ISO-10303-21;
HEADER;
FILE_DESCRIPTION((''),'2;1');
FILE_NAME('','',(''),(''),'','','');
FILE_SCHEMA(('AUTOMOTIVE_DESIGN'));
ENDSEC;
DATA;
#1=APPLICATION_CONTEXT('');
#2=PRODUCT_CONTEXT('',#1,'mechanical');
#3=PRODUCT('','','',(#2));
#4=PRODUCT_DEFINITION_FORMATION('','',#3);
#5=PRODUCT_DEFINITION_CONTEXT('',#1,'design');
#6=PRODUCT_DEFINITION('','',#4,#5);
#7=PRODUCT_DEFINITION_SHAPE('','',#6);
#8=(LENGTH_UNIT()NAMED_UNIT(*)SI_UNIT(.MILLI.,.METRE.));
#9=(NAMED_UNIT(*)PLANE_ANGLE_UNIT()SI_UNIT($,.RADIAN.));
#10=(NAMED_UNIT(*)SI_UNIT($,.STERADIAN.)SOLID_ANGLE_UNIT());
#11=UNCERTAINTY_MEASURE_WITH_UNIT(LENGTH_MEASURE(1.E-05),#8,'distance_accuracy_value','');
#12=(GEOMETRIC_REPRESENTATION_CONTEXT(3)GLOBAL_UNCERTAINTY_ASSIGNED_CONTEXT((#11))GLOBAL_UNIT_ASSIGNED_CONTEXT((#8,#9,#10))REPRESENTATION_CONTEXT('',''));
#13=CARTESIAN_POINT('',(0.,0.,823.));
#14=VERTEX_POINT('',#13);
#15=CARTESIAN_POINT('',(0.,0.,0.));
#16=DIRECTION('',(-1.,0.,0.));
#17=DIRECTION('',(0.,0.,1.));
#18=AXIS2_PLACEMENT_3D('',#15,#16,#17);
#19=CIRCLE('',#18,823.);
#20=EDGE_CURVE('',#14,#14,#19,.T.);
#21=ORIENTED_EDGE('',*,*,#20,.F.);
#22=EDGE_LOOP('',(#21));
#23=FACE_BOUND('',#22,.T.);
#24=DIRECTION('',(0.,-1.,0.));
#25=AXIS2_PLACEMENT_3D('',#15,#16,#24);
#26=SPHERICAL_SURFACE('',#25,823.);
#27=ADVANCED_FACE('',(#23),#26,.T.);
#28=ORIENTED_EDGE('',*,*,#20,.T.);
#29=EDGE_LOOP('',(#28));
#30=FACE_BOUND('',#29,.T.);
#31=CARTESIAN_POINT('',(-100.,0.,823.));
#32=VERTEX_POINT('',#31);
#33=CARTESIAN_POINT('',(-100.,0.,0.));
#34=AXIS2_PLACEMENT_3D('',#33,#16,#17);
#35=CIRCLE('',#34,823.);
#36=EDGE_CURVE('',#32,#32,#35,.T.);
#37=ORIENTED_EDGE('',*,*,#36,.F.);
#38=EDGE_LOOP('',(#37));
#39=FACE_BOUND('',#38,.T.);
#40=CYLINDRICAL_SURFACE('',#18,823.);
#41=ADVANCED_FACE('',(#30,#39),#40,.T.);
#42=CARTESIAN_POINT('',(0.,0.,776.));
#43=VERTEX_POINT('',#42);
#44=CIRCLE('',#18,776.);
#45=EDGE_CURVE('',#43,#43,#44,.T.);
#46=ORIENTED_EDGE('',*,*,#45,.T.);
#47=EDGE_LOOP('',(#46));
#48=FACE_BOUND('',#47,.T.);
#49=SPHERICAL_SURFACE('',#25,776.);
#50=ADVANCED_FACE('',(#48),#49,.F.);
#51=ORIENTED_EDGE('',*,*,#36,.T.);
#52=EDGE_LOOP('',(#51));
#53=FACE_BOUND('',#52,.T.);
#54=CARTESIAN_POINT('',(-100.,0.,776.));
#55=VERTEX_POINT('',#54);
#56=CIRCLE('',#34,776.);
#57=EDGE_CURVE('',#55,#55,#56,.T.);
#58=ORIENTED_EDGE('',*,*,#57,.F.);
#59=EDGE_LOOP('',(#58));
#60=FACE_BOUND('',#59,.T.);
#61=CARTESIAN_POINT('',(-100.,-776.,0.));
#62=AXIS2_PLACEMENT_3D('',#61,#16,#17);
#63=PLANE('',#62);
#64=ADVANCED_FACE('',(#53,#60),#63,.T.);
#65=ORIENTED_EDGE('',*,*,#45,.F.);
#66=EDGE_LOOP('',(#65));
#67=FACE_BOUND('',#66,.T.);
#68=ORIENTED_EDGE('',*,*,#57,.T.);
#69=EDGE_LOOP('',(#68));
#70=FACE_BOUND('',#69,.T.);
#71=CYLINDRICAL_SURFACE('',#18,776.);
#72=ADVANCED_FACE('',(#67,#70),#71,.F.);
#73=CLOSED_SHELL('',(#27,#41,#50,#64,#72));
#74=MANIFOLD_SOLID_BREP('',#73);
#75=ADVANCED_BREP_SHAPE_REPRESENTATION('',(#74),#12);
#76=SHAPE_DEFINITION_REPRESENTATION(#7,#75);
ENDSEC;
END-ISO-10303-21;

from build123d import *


with BuildPart() as part:
    # Sketch1 → Revolve1 (revolve)
    with BuildSketch(Plane.XY):
        with BuildLine():
            Line((776, 0), (823, 0))
            ThreePointArc((823, 0), (581.948880917, -581.948880917), (0, -823))
            Line((0, -823), (-100, -823))
            Line((-100, -823), (-100, -776))
            Line((-100, -776), (0, -776))
            ThreePointArc((0, -776), (548.714862201, -548.714862201), (776, 0))
        make_face()
    revolve(axis=Axis((0, 0, 0), (1, 0, 0)))


solid = part.part
